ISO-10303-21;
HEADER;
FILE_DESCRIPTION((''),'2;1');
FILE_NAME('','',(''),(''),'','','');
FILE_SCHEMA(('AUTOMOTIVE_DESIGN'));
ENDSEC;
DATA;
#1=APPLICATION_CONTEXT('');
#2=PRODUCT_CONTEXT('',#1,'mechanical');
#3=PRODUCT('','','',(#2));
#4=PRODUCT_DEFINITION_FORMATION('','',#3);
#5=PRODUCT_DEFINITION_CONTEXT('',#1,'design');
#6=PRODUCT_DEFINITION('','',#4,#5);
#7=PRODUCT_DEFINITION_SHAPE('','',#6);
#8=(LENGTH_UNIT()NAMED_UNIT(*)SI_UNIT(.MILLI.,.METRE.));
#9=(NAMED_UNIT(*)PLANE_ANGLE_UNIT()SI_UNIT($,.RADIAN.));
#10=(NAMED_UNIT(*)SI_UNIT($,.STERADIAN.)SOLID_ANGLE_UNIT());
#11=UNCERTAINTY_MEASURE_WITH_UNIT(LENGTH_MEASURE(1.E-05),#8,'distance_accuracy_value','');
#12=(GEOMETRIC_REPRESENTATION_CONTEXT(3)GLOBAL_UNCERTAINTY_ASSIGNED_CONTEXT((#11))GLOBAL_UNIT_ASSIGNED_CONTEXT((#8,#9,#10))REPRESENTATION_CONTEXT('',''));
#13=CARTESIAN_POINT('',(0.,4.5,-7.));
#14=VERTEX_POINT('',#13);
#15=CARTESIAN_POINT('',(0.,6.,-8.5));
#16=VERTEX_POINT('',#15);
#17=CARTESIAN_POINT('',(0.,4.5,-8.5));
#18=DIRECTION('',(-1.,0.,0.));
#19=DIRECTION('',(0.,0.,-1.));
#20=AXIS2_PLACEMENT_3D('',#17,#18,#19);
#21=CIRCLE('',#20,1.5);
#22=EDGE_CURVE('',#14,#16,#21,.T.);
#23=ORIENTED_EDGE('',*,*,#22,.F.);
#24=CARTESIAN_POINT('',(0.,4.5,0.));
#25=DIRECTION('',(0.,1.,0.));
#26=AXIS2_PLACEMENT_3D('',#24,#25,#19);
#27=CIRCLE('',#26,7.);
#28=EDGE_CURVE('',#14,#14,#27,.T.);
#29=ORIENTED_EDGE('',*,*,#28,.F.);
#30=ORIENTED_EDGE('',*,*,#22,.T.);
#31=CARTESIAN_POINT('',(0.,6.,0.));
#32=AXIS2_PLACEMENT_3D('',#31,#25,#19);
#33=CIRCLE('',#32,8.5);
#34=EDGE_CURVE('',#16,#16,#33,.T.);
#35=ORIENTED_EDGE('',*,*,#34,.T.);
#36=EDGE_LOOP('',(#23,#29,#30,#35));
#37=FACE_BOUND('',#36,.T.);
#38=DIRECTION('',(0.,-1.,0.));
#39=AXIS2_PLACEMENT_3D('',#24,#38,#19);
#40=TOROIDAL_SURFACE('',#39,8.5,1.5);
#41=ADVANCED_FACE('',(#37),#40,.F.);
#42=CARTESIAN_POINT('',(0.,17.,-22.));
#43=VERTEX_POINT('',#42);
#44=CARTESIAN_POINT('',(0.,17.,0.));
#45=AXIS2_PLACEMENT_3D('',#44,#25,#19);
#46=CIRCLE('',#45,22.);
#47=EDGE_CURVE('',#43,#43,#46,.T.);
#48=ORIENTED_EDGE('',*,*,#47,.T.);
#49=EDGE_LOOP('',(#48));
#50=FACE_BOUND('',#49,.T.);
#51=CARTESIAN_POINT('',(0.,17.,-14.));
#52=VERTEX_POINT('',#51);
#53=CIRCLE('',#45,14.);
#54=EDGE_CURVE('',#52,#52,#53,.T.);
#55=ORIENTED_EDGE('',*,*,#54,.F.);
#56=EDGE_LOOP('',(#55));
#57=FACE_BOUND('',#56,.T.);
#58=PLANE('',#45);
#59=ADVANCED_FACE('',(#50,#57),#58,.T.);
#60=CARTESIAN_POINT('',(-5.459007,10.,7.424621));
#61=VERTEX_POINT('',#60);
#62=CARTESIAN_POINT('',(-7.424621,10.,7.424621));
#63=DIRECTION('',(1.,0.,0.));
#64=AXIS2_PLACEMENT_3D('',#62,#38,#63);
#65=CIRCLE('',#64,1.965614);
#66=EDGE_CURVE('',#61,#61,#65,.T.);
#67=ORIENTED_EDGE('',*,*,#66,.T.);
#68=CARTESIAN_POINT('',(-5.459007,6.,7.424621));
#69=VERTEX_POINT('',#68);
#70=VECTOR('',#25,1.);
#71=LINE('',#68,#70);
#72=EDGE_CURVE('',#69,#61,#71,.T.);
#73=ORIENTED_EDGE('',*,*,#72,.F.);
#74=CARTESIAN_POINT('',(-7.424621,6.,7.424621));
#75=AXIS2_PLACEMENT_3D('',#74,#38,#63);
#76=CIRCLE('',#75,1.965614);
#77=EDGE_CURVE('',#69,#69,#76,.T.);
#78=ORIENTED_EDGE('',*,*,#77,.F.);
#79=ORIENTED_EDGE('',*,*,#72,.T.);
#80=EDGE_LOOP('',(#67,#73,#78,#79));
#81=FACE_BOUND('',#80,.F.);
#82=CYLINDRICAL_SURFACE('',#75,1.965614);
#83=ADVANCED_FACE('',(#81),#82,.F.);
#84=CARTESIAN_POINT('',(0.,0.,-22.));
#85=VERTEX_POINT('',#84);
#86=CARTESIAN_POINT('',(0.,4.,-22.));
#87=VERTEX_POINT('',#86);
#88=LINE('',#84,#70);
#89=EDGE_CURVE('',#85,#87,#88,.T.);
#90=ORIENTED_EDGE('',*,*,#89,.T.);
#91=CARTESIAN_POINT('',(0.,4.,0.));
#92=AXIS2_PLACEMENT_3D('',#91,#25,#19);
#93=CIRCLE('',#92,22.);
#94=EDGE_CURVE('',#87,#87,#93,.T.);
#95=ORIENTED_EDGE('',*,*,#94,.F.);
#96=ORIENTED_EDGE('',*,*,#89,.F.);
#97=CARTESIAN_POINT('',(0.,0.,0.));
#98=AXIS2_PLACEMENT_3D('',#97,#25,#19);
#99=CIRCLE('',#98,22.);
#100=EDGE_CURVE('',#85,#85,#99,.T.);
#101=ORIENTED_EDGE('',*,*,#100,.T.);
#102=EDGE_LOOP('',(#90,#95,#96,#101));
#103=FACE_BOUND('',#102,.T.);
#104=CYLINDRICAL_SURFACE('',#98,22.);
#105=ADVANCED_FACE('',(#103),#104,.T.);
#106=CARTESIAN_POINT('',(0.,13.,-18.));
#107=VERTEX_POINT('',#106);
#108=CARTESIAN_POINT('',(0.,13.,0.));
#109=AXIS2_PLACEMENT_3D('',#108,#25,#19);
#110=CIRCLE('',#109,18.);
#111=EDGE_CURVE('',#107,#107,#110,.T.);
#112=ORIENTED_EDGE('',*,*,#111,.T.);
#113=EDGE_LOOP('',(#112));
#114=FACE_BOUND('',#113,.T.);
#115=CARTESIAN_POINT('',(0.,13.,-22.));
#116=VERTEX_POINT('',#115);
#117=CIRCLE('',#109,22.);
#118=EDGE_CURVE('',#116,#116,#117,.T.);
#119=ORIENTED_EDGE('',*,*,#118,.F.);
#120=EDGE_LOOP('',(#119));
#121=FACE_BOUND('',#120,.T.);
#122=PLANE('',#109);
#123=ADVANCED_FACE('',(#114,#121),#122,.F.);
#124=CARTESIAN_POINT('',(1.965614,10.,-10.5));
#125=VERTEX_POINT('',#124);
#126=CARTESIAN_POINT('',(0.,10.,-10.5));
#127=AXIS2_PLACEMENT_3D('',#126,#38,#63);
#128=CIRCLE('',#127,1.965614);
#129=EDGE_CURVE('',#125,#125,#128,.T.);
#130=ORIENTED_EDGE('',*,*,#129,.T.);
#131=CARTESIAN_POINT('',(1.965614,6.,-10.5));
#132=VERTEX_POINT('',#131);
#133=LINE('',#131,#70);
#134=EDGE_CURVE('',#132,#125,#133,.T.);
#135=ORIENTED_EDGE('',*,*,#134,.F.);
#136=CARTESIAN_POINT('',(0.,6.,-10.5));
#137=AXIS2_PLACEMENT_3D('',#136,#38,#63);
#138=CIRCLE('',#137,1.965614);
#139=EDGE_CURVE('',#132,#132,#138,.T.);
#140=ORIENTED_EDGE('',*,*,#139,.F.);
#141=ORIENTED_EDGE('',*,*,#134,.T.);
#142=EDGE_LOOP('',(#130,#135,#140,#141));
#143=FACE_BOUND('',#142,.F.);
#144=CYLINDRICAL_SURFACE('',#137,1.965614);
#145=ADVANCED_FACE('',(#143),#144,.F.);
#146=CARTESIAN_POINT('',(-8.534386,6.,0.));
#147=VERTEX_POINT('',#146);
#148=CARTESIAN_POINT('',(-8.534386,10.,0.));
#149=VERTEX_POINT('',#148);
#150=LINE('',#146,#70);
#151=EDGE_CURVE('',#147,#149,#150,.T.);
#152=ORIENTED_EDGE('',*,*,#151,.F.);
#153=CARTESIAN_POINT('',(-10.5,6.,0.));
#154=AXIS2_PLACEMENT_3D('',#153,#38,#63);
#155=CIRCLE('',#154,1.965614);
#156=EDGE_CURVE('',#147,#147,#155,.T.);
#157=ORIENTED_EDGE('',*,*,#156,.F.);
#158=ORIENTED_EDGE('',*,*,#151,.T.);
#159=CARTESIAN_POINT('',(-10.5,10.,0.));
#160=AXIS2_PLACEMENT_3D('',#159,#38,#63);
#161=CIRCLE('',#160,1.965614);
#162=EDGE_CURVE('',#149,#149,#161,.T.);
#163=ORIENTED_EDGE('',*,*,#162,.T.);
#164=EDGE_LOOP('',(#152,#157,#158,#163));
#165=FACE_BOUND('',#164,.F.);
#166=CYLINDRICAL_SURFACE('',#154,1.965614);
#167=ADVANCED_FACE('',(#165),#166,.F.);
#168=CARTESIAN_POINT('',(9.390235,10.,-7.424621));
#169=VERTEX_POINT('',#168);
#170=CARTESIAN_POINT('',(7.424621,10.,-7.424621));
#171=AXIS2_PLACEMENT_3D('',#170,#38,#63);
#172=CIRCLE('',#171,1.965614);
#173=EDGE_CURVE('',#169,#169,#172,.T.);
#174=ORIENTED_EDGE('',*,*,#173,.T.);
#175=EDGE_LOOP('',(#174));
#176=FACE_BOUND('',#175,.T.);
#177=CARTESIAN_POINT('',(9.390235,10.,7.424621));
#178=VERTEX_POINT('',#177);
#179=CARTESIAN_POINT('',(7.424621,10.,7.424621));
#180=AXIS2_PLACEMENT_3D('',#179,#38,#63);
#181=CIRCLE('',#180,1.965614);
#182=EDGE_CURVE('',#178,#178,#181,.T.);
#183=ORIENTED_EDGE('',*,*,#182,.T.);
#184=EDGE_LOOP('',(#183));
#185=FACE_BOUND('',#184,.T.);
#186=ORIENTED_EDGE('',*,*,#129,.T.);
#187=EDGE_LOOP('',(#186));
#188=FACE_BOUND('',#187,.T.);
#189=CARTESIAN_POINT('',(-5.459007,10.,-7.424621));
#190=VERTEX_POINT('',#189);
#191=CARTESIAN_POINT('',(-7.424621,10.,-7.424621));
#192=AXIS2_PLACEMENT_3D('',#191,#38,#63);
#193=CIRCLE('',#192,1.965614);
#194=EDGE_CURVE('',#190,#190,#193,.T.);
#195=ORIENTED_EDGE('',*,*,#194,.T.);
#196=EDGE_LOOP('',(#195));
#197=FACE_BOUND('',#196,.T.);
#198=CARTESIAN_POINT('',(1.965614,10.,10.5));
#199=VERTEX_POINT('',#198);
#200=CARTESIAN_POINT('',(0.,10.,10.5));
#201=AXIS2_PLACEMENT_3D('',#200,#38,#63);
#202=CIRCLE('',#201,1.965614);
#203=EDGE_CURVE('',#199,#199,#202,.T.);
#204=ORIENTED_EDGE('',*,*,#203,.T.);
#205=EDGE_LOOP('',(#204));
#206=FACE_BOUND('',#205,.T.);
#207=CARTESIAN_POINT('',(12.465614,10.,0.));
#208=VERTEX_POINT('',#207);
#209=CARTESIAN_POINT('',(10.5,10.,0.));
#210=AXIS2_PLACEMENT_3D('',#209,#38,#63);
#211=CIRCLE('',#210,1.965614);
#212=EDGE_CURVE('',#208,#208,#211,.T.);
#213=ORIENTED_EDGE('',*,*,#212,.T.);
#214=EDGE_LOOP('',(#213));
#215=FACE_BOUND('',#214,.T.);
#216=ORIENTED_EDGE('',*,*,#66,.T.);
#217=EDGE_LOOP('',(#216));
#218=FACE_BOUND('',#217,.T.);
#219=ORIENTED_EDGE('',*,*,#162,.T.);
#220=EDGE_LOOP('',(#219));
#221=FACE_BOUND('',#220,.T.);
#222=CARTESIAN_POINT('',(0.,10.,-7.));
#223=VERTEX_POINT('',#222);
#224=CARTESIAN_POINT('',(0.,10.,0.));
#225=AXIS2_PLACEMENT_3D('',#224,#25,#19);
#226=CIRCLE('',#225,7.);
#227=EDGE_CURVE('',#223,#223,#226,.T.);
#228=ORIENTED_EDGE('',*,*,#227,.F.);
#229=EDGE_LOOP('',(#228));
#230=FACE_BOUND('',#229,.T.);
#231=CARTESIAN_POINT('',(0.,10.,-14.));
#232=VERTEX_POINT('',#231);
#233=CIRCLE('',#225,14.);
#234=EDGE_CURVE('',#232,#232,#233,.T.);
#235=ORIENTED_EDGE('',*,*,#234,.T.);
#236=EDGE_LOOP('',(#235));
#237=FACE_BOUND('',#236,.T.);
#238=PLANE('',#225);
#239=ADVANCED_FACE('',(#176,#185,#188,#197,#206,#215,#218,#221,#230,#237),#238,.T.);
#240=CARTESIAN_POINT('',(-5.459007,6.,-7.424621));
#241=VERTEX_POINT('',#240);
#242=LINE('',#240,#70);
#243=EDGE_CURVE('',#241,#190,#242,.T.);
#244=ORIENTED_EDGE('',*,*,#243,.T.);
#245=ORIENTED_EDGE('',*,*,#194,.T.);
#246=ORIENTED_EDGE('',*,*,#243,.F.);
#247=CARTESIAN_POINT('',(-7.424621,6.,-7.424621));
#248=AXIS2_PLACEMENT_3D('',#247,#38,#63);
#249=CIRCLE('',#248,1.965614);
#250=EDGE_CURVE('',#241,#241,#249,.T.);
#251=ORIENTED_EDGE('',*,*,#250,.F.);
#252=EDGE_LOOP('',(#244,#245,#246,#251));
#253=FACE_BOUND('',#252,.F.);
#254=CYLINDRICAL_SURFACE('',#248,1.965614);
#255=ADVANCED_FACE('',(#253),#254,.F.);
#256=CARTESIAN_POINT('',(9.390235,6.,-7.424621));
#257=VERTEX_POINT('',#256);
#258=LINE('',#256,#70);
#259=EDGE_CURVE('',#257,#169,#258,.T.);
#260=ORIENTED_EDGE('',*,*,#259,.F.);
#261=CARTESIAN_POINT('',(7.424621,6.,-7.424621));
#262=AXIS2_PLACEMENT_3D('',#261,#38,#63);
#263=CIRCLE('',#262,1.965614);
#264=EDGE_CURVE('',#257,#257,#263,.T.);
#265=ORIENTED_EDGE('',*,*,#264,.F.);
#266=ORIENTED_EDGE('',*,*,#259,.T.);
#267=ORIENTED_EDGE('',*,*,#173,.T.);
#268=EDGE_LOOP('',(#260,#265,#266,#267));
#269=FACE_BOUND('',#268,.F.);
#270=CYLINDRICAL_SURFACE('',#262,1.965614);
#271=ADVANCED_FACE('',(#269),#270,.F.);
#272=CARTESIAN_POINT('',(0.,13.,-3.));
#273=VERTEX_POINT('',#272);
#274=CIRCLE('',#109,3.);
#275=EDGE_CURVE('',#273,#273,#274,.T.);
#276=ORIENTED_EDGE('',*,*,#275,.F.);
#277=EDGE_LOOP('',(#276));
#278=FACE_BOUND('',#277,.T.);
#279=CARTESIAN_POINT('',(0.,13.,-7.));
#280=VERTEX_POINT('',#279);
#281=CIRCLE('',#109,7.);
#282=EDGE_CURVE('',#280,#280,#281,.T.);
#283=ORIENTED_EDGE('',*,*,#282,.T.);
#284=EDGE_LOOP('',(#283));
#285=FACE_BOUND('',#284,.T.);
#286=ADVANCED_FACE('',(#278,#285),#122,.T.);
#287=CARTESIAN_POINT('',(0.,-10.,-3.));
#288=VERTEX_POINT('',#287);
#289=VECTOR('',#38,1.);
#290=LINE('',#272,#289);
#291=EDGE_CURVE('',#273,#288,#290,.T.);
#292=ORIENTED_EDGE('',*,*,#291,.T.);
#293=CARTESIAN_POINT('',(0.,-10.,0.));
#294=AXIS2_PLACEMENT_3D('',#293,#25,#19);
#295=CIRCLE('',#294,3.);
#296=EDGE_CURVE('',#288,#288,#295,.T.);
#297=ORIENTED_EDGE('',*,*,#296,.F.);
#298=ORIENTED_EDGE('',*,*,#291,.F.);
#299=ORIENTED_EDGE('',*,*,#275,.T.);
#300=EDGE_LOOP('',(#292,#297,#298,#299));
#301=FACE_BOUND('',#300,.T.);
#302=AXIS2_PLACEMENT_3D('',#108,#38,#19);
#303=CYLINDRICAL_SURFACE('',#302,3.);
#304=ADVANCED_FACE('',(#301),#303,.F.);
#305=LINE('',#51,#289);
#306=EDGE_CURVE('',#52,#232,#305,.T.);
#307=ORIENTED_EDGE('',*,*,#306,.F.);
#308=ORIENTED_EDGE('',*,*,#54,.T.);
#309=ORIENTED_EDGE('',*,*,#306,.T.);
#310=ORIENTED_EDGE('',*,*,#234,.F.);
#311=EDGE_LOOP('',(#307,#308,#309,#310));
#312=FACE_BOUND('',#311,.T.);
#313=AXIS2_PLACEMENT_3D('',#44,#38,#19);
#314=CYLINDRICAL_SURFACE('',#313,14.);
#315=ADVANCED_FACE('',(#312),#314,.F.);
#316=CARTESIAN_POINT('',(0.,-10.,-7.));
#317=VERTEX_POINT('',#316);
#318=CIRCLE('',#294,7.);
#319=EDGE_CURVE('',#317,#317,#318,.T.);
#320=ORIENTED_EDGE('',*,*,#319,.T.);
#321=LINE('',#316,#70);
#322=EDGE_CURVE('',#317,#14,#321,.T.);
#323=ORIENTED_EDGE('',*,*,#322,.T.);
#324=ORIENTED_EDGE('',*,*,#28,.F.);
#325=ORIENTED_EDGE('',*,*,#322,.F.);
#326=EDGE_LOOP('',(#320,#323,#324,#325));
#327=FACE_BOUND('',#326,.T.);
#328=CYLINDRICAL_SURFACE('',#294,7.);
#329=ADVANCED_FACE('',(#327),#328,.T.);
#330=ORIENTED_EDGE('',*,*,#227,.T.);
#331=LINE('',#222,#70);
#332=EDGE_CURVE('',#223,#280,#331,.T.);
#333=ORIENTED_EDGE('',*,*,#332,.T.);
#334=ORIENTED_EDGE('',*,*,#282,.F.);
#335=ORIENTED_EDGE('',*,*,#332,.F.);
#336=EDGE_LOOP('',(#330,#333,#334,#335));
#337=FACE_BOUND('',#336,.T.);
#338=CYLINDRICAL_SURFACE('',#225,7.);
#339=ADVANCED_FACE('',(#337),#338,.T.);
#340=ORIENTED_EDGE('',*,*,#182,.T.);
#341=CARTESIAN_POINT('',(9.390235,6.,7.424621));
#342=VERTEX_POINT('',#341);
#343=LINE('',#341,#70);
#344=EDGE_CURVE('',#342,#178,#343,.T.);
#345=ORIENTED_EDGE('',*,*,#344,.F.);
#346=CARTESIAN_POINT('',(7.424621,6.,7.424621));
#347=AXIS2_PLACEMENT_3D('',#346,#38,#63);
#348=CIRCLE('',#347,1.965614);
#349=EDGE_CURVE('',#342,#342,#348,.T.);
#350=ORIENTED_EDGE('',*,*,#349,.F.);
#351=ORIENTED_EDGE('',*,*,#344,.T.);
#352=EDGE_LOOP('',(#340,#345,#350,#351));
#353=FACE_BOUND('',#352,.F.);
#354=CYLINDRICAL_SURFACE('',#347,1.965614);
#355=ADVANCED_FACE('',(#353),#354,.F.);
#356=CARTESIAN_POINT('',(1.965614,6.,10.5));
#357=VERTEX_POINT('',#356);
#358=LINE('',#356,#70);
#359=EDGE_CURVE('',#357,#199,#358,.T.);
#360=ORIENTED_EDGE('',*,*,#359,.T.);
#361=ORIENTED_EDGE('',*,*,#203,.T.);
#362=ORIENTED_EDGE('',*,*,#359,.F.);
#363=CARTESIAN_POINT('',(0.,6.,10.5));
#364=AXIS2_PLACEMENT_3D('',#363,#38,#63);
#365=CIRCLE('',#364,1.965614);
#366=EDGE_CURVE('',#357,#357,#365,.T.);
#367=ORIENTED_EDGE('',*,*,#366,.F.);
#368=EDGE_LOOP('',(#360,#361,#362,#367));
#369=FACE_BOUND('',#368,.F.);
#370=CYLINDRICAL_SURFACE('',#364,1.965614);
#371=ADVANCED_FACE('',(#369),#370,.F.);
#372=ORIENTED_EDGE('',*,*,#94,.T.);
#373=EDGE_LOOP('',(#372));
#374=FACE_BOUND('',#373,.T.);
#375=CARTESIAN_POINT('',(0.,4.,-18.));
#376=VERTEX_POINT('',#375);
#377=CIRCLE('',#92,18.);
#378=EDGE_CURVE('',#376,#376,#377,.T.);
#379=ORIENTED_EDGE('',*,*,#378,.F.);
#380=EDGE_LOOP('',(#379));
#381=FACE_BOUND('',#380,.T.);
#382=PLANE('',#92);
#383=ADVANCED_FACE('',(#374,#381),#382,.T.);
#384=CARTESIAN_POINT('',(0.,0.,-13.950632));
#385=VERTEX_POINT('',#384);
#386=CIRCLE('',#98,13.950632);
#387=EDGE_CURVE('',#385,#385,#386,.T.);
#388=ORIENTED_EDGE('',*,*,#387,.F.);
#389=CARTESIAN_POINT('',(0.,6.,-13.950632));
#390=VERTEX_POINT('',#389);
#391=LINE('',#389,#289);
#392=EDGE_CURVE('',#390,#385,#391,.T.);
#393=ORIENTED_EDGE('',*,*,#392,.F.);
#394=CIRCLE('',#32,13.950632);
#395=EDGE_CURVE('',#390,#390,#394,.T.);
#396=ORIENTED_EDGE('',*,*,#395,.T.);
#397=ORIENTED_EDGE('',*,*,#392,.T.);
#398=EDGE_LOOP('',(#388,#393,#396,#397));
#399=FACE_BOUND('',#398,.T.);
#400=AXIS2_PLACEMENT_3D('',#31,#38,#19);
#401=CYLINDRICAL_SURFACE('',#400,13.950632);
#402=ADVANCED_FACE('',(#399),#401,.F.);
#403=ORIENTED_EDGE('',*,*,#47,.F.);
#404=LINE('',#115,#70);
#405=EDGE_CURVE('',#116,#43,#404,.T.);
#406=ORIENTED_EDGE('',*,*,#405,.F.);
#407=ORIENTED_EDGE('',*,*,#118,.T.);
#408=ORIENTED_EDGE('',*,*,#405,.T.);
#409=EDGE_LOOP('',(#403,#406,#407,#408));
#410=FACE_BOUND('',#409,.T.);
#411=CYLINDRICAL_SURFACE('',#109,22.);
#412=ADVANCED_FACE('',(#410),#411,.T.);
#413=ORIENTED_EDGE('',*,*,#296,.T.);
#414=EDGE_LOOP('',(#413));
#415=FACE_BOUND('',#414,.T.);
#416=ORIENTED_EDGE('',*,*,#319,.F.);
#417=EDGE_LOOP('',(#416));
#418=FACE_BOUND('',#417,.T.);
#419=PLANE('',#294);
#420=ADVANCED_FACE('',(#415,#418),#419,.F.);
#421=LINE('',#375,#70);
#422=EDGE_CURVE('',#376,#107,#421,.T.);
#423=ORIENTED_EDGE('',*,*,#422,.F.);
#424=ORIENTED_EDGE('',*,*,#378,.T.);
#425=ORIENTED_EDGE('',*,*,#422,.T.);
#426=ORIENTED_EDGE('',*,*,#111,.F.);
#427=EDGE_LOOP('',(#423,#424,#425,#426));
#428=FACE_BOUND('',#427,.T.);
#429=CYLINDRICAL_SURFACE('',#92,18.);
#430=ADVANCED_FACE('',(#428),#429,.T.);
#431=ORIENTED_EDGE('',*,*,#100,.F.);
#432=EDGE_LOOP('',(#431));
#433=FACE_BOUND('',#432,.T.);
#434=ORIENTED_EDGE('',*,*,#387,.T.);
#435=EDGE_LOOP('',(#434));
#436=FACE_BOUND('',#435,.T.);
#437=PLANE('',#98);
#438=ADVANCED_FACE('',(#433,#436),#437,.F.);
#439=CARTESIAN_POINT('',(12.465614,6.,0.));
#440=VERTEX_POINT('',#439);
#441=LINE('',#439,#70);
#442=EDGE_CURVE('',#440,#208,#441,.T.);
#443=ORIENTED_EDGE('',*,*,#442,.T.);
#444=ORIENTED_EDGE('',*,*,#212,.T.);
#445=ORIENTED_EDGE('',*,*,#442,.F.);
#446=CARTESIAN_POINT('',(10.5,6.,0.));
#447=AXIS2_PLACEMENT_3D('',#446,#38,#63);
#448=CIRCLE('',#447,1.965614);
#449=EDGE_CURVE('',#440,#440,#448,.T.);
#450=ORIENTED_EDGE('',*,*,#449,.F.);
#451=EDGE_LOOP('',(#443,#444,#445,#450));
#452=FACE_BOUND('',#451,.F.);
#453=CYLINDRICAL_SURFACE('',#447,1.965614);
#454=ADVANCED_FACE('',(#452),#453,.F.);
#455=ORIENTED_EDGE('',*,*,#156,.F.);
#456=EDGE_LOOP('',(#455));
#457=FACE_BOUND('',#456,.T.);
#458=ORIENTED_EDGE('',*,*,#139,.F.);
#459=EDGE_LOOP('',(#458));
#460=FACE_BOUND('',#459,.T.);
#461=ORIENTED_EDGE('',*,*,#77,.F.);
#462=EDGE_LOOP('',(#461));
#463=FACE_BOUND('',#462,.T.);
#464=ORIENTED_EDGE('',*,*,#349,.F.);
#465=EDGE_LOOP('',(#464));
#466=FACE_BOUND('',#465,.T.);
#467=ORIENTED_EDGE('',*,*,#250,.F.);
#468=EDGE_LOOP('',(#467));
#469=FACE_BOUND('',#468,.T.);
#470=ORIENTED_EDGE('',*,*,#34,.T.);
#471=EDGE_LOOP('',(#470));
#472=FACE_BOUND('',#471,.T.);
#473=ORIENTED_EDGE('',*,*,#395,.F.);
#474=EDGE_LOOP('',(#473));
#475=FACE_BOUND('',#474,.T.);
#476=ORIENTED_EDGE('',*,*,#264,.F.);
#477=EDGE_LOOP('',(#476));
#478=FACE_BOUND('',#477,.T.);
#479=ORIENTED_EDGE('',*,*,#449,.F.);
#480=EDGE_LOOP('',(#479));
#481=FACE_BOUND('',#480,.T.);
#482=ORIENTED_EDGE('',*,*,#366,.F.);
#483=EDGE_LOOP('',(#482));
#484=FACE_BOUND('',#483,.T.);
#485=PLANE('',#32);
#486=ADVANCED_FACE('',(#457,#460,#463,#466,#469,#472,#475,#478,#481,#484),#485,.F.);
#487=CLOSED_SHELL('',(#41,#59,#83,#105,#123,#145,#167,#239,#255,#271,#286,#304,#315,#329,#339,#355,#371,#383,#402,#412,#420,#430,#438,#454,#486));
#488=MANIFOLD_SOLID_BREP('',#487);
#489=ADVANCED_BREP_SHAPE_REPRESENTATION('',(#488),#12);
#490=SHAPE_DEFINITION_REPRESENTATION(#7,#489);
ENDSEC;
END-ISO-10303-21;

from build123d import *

# Parameters (mm, degrees)
F3_R     = 1.965614
F4_DEPTH = 11.001
F5_R     = 1.5


with BuildPart() as f1:
    # F0 (on Right) → F1 (revolve)
    with BuildSketch(Plane.YZ):
        Polygon((13, -3), (-10, -3), (-10, -7), (6, -7), (6, -13.950632), (0, -13.950632), (0, -22), (4, -22), (4, -18), (13, -18), (13, -22), (17, -22), (17, -14), (10, -14), (10, -7), (13, -7), align=None)
    revolve(axis=Axis((0, -0.087436, 0), (0, 1, 0)))

    # F3 (on face) → F4 (cut, through all)
    with BuildSketch(Plane.XZ.offset(-6)):
        with Locations((10.5, 0)):
            Circle(F3_R)
        with Locations((7.424621, 7.424621)):
            Circle(F3_R)
        with Locations((0, 10.5)):
            Circle(F3_R)
        with Locations((-7.424621, 7.424621)):
            Circle(F3_R)
        with Locations((-10.5, 0)):
            Circle(F3_R)
        with Locations((-7.424621, -7.424621)):
            Circle(F3_R)
        with Locations((0, -10.5)):
            Circle(F3_R)
        with Locations((7.424621, -7.424621)):
            Circle(F3_R)
    extrude(amount=-F4_DEPTH, mode=Mode.SUBTRACT)

    # F5
    f5_edges = [f1.edges().sort_by_distance(p)[0] for p in [
        (0, 6, 7),
    ]]
    fillet(f5_edges, radius=F5_R)


solid = f1.part
